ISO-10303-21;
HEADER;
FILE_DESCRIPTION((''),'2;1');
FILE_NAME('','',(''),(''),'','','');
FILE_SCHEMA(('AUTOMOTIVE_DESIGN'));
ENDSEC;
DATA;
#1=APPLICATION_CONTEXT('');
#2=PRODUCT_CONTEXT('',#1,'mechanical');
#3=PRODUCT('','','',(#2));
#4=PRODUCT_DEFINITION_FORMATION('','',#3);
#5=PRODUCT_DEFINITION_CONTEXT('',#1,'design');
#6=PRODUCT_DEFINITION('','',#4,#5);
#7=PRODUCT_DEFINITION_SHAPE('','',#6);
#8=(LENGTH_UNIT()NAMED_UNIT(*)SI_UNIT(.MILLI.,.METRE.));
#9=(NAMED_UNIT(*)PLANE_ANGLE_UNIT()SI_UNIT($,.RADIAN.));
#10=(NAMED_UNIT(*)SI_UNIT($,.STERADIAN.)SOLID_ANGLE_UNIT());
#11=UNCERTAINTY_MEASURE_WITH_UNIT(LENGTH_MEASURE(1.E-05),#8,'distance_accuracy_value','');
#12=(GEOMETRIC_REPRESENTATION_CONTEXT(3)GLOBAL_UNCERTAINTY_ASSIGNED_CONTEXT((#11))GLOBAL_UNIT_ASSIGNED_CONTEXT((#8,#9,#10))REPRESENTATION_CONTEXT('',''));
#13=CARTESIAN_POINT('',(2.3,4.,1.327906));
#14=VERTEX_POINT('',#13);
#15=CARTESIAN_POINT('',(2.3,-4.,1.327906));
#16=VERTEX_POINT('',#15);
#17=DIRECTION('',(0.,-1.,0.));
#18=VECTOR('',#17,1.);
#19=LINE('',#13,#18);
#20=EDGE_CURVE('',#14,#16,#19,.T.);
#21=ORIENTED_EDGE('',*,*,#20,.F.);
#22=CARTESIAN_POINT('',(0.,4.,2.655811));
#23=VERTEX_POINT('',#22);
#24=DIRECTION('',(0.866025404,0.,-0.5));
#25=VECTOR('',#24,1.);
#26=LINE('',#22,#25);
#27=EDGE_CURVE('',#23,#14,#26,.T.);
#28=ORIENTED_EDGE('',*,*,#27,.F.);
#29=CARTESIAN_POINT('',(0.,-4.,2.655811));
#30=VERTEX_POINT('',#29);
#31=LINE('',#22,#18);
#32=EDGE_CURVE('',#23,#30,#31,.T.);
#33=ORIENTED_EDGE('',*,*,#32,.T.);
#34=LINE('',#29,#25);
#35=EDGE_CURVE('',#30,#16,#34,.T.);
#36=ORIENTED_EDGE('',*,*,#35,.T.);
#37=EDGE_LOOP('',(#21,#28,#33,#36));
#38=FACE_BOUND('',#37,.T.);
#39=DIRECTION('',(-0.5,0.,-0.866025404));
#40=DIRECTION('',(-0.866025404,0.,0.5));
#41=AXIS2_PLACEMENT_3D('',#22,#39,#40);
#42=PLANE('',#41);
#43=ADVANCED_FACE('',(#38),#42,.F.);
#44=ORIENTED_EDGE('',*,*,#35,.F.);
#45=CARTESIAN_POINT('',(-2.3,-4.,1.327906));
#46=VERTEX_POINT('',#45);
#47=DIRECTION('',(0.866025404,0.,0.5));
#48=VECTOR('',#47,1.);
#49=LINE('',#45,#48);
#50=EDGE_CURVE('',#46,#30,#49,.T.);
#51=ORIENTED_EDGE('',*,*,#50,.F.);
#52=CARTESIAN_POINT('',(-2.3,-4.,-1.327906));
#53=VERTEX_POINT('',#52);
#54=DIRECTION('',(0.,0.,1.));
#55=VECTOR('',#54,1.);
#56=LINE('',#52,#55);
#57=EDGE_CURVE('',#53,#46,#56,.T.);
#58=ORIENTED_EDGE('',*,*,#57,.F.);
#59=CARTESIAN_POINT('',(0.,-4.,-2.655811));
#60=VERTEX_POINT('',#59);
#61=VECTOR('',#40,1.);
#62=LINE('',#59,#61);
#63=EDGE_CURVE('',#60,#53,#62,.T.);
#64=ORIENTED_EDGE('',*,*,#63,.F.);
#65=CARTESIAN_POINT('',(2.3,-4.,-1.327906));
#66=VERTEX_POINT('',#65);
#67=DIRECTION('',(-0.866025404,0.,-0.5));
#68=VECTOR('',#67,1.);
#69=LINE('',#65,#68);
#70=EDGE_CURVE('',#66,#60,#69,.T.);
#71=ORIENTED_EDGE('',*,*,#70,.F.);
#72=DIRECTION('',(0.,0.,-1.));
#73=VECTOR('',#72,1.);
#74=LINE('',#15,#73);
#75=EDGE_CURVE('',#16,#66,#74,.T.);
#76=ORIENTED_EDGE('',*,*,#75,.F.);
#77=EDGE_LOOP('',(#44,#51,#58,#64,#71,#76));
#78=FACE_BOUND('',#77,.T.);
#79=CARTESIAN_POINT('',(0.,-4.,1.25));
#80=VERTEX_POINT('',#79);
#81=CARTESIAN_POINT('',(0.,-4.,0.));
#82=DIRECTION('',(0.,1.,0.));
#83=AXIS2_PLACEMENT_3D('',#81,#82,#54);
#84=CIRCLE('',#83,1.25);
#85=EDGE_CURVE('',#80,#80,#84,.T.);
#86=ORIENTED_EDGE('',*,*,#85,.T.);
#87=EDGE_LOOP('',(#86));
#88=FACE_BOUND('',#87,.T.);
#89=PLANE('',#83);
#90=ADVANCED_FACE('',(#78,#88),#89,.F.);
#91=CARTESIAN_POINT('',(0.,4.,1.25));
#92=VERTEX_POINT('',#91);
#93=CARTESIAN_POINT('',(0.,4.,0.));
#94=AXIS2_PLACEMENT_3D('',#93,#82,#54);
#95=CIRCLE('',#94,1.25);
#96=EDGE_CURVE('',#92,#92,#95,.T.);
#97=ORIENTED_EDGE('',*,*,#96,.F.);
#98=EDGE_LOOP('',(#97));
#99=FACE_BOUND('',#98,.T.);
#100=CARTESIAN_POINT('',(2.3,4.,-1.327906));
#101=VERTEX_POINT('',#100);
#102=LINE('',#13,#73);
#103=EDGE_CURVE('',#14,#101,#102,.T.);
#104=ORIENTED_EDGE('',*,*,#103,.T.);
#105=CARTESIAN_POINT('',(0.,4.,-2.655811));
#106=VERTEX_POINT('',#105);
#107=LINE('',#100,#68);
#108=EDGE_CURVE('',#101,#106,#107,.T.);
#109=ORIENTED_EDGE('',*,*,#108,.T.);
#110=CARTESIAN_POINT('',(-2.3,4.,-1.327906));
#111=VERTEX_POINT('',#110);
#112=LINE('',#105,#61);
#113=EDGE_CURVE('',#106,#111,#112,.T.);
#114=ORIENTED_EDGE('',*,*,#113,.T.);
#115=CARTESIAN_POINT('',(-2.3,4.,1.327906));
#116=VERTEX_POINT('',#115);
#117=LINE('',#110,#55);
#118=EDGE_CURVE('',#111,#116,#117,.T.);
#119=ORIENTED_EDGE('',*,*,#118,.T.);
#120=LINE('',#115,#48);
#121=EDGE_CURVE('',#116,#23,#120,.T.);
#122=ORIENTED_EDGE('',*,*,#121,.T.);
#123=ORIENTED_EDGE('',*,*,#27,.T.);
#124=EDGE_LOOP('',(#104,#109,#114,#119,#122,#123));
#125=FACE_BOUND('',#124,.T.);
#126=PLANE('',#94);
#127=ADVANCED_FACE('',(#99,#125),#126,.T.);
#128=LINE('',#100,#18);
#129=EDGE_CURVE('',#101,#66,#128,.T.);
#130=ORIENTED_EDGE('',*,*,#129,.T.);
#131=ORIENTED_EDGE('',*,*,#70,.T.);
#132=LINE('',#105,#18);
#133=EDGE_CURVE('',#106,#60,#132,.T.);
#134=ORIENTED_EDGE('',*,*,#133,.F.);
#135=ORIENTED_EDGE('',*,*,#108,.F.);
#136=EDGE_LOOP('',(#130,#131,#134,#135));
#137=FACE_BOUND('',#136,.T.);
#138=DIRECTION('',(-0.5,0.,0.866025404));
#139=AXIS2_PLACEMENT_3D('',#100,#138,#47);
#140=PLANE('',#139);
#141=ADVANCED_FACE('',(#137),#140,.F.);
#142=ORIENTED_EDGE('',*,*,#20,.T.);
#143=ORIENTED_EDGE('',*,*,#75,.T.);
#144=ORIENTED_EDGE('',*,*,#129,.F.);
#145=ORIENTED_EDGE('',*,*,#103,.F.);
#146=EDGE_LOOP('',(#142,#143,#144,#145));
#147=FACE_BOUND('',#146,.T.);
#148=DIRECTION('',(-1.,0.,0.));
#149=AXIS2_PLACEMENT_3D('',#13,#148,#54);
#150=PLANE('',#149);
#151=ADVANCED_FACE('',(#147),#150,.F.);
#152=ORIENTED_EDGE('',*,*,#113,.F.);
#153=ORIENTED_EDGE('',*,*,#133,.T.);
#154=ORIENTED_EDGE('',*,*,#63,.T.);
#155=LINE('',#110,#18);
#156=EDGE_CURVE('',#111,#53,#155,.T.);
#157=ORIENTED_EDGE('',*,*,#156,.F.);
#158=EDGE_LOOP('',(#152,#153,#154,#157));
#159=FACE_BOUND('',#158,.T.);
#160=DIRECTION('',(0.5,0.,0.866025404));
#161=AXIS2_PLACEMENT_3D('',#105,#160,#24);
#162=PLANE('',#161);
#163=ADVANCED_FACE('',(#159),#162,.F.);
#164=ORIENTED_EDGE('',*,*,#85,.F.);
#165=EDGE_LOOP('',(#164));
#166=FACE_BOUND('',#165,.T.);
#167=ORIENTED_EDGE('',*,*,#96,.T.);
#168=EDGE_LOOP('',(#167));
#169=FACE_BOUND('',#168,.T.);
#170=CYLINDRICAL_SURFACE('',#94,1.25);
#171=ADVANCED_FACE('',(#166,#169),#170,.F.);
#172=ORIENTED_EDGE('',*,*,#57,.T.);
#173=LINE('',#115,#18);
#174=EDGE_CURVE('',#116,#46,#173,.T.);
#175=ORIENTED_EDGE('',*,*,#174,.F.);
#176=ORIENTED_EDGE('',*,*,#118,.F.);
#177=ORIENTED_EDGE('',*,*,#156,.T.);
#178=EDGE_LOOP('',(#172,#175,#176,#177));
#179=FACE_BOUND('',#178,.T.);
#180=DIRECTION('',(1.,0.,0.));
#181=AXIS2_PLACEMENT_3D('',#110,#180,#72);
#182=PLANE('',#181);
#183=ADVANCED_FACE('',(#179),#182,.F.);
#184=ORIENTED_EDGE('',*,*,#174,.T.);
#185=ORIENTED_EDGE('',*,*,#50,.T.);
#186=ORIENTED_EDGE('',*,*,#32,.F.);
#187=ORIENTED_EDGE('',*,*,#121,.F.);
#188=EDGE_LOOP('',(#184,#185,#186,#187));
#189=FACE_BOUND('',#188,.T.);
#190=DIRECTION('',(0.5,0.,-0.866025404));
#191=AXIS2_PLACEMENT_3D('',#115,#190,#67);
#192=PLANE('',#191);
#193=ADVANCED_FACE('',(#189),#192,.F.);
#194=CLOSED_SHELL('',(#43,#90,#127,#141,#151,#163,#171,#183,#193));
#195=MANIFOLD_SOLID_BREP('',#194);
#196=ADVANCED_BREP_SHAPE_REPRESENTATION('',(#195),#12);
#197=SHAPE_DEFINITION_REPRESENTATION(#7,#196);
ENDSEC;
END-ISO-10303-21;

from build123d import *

# Parameters (mm, degrees)
BOSS_EXTRUDE1_DEPTH   = 4
M3_TAPPED_HOLE1_D     = 2.5
M3_TAPPED_HOLE1_DEPTH = 17.5
M3_TAPPED_HOLE1_TIP   = 0.751075774


with BuildPart() as part:
    # Sketch1 → Boss-Extrude1 (new, symmetric)
    with BuildSketch(Plane(origin=(0, 0, 0), x_dir=(1, 0, 0), z_dir=(0, 1, 0))):
        Polygon((2.3, -1.327905619), (2.3, 1.327905619), (0, 2.655811238), (-2.3, 1.327905619), (-2.3, -1.327905619), (0, -2.655811238), align=None)
    extrude(amount=BOSS_EXTRUDE1_DEPTH, both=True)

    # M3 Tapped Hole1
    with Locations(Plane(origin=(0, 4, 0), x_dir=(1, 0, 0), z_dir=(0, 1, 0))):
        with Locations((0, 0)):
            Hole(M3_TAPPED_HOLE1_D / 2, depth=M3_TAPPED_HOLE1_DEPTH)
            with Locations((0, 0, -(M3_TAPPED_HOLE1_DEPTH + M3_TAPPED_HOLE1_TIP / 2))):  # 118° drill point
                Cone(0, M3_TAPPED_HOLE1_D / 2, M3_TAPPED_HOLE1_TIP, mode=Mode.SUBTRACT)


solid = part.part
